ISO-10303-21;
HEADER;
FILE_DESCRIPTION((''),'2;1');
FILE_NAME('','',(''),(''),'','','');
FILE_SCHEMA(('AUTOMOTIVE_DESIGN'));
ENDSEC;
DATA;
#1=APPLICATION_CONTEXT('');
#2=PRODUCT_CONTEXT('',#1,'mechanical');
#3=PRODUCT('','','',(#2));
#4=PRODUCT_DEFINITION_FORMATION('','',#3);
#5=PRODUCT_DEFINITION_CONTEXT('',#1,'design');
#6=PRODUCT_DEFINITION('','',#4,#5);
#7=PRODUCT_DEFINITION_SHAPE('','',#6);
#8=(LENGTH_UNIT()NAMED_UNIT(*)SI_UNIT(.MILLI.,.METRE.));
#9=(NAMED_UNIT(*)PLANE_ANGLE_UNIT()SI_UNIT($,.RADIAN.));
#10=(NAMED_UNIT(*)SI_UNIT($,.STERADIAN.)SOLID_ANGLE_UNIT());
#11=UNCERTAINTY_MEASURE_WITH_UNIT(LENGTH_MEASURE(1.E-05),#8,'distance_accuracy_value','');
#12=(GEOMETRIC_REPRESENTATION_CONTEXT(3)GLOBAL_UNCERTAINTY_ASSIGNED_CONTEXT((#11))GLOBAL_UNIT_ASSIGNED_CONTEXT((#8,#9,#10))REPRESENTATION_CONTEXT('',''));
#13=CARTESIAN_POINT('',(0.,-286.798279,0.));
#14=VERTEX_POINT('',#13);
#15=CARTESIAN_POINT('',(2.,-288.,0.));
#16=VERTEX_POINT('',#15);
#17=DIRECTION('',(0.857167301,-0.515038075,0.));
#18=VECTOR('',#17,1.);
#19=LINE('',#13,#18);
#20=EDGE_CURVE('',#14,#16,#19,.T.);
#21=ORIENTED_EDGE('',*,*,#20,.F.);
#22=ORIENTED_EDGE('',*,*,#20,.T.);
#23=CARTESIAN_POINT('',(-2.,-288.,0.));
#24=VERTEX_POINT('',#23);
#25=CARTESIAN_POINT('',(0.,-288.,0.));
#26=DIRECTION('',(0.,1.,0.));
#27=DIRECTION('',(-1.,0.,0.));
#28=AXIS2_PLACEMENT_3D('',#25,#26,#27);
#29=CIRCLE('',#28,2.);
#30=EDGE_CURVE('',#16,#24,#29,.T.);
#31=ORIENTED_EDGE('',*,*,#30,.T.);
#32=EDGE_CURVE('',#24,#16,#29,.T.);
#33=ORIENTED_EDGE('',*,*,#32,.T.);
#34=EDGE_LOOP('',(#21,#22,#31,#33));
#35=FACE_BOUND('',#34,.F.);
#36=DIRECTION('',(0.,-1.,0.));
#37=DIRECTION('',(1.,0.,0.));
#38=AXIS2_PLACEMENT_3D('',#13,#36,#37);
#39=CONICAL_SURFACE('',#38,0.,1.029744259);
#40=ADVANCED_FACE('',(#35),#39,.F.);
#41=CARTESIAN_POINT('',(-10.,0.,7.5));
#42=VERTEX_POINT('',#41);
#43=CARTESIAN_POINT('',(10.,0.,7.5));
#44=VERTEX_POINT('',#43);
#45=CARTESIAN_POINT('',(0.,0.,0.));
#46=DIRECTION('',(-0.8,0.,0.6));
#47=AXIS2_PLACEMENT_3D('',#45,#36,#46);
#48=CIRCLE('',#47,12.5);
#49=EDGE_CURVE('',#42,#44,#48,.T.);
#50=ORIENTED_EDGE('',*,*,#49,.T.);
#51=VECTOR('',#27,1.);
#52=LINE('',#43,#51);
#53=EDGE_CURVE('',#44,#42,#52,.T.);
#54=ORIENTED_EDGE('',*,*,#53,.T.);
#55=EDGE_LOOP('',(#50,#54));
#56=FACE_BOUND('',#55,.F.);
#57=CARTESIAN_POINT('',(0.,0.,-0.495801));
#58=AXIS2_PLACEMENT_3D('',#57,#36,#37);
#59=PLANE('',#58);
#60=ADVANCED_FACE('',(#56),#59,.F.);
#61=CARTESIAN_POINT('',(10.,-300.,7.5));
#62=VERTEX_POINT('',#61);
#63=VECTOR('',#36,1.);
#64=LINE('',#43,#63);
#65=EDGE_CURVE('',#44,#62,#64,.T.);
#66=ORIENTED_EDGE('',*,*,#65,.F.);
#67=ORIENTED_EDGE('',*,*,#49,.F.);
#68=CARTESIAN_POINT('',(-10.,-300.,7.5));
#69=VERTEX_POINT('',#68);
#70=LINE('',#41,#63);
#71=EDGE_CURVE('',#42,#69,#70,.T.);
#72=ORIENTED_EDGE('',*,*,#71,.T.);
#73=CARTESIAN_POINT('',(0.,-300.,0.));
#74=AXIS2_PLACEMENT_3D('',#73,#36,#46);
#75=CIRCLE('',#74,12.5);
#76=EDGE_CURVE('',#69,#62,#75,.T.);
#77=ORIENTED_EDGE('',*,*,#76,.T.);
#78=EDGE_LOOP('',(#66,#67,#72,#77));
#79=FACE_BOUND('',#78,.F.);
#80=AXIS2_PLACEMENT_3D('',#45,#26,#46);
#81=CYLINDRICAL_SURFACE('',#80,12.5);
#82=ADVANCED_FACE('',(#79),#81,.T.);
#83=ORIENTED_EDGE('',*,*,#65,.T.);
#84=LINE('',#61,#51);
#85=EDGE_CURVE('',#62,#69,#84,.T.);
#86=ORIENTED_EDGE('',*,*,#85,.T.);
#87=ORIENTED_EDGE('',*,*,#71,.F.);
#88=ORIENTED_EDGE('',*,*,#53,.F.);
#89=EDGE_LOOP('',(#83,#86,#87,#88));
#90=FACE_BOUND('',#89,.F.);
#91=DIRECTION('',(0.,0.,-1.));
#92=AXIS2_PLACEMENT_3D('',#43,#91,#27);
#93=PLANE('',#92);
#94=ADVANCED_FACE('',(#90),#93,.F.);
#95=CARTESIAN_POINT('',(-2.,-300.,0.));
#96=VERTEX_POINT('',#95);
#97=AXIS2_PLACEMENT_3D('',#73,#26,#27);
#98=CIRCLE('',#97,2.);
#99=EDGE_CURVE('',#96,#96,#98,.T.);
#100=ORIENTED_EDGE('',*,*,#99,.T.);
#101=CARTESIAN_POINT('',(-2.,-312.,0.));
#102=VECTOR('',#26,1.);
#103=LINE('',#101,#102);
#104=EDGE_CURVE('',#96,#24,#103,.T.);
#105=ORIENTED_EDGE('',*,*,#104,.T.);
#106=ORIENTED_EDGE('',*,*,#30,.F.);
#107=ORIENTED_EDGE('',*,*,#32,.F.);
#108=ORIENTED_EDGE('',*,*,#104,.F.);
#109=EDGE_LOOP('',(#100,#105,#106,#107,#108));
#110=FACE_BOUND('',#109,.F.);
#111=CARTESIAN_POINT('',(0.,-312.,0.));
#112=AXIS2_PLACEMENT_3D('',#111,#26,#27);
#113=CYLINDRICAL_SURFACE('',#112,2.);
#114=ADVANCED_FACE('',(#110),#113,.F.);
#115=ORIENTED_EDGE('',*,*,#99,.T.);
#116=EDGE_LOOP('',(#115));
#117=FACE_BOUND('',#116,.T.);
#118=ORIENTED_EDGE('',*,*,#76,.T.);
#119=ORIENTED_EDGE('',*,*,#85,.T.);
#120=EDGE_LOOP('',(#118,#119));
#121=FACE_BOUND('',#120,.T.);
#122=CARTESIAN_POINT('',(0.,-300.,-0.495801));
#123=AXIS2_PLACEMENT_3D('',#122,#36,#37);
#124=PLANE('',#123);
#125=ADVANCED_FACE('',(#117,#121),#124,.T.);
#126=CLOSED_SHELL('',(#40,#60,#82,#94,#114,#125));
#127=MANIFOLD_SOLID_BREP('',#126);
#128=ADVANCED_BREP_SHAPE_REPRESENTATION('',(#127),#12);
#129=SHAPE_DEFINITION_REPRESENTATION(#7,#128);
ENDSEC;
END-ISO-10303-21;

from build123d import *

# Parameters (mm, degrees)
F1_DEPTH = 300
F3_D     = 4
F3_DEPTH = 12
F3_TIP   = 1.2017212381


with BuildPart() as f1:
    # F0 (on Front) → F1 (new body)
    with BuildSketch(Plane.XZ):
        with BuildLine():
            Line((10, 7.5), (-10, 7.5))
            ThreePointArc((-10, 7.5), (0, -12.5), (10, 7.5))
        make_face()
    extrude(amount=F1_DEPTH)

    # F3
    with Locations(Plane.XZ.offset(300)):
        with Locations((0, 0)):
            Hole(F3_D / 2, depth=F3_DEPTH)
            with Locations((0, 0, -(F3_DEPTH + F3_TIP / 2))):  # 118° drill point
                Cone(0, F3_D / 2, F3_TIP, mode=Mode.SUBTRACT)


solid = f1.part
